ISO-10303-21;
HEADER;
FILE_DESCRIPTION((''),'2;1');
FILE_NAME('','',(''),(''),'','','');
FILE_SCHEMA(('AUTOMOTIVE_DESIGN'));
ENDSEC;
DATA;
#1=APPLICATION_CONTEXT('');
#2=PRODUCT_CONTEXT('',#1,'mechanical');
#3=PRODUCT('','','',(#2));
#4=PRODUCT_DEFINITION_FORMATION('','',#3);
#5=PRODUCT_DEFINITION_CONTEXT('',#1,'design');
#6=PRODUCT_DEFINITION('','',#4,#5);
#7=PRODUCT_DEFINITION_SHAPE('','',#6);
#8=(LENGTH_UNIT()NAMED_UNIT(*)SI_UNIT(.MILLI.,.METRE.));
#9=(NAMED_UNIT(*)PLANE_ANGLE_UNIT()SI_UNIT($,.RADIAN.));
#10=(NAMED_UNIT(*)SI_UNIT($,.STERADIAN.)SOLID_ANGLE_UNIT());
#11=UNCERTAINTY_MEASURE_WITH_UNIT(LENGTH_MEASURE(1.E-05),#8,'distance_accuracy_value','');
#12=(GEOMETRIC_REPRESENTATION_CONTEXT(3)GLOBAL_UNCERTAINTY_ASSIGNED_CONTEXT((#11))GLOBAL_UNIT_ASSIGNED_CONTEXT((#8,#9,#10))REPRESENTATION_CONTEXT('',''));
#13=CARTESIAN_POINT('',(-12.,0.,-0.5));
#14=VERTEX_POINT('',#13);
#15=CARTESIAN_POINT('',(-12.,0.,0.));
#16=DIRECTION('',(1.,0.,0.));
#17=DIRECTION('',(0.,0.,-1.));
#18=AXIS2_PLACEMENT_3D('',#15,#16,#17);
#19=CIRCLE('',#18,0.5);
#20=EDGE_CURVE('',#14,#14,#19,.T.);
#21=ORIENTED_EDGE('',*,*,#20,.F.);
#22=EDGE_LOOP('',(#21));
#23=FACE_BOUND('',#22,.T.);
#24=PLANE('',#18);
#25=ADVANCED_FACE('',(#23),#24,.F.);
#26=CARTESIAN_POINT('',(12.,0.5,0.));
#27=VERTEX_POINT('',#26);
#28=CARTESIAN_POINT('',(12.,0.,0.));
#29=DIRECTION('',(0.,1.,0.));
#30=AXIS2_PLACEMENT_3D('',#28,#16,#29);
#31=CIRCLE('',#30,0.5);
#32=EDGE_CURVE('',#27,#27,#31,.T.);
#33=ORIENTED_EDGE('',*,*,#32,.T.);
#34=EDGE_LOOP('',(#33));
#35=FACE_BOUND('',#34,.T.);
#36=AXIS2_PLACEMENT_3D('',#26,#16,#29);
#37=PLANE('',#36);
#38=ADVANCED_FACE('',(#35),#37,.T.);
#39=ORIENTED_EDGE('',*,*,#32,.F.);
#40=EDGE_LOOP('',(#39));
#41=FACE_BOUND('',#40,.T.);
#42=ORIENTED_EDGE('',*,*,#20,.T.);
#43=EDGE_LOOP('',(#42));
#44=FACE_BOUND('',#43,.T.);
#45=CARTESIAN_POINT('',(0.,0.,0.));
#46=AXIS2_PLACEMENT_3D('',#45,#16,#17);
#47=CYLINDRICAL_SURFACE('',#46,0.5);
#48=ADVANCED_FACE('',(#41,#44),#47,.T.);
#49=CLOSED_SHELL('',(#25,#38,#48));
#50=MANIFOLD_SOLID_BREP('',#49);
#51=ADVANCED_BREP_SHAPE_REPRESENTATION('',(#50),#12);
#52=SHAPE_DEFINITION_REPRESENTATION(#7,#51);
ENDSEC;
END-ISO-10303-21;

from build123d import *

# Parameters (mm, degrees)
SKETCH1_W = 12
SKETCH1_H = 0.5
SKETCH3_W = 12
SKETCH3_H = 0.5


with BuildPart() as part:
    # Sketch1 → Revolve1 (revolve)
    with BuildSketch(Plane(origin=(0, 0, 0), x_dir=(-1, 0, 0), z_dir=(0, 0, -1))):
        with Locations((6, 0.25)):
            Rectangle(SKETCH1_W, SKETCH1_H)
    revolve(axis=Axis((0, 0, 0), (-1, 0, 0)))

    # Sketch3 → Revolve2 (revolve)
    with BuildSketch(Plane.XY):
        with Locations((6, 0.25)):
            Rectangle(SKETCH3_W, SKETCH3_H)
    revolve(axis=Axis((12, 0, 0), (-1, 0, 0)))


solid = part.part
